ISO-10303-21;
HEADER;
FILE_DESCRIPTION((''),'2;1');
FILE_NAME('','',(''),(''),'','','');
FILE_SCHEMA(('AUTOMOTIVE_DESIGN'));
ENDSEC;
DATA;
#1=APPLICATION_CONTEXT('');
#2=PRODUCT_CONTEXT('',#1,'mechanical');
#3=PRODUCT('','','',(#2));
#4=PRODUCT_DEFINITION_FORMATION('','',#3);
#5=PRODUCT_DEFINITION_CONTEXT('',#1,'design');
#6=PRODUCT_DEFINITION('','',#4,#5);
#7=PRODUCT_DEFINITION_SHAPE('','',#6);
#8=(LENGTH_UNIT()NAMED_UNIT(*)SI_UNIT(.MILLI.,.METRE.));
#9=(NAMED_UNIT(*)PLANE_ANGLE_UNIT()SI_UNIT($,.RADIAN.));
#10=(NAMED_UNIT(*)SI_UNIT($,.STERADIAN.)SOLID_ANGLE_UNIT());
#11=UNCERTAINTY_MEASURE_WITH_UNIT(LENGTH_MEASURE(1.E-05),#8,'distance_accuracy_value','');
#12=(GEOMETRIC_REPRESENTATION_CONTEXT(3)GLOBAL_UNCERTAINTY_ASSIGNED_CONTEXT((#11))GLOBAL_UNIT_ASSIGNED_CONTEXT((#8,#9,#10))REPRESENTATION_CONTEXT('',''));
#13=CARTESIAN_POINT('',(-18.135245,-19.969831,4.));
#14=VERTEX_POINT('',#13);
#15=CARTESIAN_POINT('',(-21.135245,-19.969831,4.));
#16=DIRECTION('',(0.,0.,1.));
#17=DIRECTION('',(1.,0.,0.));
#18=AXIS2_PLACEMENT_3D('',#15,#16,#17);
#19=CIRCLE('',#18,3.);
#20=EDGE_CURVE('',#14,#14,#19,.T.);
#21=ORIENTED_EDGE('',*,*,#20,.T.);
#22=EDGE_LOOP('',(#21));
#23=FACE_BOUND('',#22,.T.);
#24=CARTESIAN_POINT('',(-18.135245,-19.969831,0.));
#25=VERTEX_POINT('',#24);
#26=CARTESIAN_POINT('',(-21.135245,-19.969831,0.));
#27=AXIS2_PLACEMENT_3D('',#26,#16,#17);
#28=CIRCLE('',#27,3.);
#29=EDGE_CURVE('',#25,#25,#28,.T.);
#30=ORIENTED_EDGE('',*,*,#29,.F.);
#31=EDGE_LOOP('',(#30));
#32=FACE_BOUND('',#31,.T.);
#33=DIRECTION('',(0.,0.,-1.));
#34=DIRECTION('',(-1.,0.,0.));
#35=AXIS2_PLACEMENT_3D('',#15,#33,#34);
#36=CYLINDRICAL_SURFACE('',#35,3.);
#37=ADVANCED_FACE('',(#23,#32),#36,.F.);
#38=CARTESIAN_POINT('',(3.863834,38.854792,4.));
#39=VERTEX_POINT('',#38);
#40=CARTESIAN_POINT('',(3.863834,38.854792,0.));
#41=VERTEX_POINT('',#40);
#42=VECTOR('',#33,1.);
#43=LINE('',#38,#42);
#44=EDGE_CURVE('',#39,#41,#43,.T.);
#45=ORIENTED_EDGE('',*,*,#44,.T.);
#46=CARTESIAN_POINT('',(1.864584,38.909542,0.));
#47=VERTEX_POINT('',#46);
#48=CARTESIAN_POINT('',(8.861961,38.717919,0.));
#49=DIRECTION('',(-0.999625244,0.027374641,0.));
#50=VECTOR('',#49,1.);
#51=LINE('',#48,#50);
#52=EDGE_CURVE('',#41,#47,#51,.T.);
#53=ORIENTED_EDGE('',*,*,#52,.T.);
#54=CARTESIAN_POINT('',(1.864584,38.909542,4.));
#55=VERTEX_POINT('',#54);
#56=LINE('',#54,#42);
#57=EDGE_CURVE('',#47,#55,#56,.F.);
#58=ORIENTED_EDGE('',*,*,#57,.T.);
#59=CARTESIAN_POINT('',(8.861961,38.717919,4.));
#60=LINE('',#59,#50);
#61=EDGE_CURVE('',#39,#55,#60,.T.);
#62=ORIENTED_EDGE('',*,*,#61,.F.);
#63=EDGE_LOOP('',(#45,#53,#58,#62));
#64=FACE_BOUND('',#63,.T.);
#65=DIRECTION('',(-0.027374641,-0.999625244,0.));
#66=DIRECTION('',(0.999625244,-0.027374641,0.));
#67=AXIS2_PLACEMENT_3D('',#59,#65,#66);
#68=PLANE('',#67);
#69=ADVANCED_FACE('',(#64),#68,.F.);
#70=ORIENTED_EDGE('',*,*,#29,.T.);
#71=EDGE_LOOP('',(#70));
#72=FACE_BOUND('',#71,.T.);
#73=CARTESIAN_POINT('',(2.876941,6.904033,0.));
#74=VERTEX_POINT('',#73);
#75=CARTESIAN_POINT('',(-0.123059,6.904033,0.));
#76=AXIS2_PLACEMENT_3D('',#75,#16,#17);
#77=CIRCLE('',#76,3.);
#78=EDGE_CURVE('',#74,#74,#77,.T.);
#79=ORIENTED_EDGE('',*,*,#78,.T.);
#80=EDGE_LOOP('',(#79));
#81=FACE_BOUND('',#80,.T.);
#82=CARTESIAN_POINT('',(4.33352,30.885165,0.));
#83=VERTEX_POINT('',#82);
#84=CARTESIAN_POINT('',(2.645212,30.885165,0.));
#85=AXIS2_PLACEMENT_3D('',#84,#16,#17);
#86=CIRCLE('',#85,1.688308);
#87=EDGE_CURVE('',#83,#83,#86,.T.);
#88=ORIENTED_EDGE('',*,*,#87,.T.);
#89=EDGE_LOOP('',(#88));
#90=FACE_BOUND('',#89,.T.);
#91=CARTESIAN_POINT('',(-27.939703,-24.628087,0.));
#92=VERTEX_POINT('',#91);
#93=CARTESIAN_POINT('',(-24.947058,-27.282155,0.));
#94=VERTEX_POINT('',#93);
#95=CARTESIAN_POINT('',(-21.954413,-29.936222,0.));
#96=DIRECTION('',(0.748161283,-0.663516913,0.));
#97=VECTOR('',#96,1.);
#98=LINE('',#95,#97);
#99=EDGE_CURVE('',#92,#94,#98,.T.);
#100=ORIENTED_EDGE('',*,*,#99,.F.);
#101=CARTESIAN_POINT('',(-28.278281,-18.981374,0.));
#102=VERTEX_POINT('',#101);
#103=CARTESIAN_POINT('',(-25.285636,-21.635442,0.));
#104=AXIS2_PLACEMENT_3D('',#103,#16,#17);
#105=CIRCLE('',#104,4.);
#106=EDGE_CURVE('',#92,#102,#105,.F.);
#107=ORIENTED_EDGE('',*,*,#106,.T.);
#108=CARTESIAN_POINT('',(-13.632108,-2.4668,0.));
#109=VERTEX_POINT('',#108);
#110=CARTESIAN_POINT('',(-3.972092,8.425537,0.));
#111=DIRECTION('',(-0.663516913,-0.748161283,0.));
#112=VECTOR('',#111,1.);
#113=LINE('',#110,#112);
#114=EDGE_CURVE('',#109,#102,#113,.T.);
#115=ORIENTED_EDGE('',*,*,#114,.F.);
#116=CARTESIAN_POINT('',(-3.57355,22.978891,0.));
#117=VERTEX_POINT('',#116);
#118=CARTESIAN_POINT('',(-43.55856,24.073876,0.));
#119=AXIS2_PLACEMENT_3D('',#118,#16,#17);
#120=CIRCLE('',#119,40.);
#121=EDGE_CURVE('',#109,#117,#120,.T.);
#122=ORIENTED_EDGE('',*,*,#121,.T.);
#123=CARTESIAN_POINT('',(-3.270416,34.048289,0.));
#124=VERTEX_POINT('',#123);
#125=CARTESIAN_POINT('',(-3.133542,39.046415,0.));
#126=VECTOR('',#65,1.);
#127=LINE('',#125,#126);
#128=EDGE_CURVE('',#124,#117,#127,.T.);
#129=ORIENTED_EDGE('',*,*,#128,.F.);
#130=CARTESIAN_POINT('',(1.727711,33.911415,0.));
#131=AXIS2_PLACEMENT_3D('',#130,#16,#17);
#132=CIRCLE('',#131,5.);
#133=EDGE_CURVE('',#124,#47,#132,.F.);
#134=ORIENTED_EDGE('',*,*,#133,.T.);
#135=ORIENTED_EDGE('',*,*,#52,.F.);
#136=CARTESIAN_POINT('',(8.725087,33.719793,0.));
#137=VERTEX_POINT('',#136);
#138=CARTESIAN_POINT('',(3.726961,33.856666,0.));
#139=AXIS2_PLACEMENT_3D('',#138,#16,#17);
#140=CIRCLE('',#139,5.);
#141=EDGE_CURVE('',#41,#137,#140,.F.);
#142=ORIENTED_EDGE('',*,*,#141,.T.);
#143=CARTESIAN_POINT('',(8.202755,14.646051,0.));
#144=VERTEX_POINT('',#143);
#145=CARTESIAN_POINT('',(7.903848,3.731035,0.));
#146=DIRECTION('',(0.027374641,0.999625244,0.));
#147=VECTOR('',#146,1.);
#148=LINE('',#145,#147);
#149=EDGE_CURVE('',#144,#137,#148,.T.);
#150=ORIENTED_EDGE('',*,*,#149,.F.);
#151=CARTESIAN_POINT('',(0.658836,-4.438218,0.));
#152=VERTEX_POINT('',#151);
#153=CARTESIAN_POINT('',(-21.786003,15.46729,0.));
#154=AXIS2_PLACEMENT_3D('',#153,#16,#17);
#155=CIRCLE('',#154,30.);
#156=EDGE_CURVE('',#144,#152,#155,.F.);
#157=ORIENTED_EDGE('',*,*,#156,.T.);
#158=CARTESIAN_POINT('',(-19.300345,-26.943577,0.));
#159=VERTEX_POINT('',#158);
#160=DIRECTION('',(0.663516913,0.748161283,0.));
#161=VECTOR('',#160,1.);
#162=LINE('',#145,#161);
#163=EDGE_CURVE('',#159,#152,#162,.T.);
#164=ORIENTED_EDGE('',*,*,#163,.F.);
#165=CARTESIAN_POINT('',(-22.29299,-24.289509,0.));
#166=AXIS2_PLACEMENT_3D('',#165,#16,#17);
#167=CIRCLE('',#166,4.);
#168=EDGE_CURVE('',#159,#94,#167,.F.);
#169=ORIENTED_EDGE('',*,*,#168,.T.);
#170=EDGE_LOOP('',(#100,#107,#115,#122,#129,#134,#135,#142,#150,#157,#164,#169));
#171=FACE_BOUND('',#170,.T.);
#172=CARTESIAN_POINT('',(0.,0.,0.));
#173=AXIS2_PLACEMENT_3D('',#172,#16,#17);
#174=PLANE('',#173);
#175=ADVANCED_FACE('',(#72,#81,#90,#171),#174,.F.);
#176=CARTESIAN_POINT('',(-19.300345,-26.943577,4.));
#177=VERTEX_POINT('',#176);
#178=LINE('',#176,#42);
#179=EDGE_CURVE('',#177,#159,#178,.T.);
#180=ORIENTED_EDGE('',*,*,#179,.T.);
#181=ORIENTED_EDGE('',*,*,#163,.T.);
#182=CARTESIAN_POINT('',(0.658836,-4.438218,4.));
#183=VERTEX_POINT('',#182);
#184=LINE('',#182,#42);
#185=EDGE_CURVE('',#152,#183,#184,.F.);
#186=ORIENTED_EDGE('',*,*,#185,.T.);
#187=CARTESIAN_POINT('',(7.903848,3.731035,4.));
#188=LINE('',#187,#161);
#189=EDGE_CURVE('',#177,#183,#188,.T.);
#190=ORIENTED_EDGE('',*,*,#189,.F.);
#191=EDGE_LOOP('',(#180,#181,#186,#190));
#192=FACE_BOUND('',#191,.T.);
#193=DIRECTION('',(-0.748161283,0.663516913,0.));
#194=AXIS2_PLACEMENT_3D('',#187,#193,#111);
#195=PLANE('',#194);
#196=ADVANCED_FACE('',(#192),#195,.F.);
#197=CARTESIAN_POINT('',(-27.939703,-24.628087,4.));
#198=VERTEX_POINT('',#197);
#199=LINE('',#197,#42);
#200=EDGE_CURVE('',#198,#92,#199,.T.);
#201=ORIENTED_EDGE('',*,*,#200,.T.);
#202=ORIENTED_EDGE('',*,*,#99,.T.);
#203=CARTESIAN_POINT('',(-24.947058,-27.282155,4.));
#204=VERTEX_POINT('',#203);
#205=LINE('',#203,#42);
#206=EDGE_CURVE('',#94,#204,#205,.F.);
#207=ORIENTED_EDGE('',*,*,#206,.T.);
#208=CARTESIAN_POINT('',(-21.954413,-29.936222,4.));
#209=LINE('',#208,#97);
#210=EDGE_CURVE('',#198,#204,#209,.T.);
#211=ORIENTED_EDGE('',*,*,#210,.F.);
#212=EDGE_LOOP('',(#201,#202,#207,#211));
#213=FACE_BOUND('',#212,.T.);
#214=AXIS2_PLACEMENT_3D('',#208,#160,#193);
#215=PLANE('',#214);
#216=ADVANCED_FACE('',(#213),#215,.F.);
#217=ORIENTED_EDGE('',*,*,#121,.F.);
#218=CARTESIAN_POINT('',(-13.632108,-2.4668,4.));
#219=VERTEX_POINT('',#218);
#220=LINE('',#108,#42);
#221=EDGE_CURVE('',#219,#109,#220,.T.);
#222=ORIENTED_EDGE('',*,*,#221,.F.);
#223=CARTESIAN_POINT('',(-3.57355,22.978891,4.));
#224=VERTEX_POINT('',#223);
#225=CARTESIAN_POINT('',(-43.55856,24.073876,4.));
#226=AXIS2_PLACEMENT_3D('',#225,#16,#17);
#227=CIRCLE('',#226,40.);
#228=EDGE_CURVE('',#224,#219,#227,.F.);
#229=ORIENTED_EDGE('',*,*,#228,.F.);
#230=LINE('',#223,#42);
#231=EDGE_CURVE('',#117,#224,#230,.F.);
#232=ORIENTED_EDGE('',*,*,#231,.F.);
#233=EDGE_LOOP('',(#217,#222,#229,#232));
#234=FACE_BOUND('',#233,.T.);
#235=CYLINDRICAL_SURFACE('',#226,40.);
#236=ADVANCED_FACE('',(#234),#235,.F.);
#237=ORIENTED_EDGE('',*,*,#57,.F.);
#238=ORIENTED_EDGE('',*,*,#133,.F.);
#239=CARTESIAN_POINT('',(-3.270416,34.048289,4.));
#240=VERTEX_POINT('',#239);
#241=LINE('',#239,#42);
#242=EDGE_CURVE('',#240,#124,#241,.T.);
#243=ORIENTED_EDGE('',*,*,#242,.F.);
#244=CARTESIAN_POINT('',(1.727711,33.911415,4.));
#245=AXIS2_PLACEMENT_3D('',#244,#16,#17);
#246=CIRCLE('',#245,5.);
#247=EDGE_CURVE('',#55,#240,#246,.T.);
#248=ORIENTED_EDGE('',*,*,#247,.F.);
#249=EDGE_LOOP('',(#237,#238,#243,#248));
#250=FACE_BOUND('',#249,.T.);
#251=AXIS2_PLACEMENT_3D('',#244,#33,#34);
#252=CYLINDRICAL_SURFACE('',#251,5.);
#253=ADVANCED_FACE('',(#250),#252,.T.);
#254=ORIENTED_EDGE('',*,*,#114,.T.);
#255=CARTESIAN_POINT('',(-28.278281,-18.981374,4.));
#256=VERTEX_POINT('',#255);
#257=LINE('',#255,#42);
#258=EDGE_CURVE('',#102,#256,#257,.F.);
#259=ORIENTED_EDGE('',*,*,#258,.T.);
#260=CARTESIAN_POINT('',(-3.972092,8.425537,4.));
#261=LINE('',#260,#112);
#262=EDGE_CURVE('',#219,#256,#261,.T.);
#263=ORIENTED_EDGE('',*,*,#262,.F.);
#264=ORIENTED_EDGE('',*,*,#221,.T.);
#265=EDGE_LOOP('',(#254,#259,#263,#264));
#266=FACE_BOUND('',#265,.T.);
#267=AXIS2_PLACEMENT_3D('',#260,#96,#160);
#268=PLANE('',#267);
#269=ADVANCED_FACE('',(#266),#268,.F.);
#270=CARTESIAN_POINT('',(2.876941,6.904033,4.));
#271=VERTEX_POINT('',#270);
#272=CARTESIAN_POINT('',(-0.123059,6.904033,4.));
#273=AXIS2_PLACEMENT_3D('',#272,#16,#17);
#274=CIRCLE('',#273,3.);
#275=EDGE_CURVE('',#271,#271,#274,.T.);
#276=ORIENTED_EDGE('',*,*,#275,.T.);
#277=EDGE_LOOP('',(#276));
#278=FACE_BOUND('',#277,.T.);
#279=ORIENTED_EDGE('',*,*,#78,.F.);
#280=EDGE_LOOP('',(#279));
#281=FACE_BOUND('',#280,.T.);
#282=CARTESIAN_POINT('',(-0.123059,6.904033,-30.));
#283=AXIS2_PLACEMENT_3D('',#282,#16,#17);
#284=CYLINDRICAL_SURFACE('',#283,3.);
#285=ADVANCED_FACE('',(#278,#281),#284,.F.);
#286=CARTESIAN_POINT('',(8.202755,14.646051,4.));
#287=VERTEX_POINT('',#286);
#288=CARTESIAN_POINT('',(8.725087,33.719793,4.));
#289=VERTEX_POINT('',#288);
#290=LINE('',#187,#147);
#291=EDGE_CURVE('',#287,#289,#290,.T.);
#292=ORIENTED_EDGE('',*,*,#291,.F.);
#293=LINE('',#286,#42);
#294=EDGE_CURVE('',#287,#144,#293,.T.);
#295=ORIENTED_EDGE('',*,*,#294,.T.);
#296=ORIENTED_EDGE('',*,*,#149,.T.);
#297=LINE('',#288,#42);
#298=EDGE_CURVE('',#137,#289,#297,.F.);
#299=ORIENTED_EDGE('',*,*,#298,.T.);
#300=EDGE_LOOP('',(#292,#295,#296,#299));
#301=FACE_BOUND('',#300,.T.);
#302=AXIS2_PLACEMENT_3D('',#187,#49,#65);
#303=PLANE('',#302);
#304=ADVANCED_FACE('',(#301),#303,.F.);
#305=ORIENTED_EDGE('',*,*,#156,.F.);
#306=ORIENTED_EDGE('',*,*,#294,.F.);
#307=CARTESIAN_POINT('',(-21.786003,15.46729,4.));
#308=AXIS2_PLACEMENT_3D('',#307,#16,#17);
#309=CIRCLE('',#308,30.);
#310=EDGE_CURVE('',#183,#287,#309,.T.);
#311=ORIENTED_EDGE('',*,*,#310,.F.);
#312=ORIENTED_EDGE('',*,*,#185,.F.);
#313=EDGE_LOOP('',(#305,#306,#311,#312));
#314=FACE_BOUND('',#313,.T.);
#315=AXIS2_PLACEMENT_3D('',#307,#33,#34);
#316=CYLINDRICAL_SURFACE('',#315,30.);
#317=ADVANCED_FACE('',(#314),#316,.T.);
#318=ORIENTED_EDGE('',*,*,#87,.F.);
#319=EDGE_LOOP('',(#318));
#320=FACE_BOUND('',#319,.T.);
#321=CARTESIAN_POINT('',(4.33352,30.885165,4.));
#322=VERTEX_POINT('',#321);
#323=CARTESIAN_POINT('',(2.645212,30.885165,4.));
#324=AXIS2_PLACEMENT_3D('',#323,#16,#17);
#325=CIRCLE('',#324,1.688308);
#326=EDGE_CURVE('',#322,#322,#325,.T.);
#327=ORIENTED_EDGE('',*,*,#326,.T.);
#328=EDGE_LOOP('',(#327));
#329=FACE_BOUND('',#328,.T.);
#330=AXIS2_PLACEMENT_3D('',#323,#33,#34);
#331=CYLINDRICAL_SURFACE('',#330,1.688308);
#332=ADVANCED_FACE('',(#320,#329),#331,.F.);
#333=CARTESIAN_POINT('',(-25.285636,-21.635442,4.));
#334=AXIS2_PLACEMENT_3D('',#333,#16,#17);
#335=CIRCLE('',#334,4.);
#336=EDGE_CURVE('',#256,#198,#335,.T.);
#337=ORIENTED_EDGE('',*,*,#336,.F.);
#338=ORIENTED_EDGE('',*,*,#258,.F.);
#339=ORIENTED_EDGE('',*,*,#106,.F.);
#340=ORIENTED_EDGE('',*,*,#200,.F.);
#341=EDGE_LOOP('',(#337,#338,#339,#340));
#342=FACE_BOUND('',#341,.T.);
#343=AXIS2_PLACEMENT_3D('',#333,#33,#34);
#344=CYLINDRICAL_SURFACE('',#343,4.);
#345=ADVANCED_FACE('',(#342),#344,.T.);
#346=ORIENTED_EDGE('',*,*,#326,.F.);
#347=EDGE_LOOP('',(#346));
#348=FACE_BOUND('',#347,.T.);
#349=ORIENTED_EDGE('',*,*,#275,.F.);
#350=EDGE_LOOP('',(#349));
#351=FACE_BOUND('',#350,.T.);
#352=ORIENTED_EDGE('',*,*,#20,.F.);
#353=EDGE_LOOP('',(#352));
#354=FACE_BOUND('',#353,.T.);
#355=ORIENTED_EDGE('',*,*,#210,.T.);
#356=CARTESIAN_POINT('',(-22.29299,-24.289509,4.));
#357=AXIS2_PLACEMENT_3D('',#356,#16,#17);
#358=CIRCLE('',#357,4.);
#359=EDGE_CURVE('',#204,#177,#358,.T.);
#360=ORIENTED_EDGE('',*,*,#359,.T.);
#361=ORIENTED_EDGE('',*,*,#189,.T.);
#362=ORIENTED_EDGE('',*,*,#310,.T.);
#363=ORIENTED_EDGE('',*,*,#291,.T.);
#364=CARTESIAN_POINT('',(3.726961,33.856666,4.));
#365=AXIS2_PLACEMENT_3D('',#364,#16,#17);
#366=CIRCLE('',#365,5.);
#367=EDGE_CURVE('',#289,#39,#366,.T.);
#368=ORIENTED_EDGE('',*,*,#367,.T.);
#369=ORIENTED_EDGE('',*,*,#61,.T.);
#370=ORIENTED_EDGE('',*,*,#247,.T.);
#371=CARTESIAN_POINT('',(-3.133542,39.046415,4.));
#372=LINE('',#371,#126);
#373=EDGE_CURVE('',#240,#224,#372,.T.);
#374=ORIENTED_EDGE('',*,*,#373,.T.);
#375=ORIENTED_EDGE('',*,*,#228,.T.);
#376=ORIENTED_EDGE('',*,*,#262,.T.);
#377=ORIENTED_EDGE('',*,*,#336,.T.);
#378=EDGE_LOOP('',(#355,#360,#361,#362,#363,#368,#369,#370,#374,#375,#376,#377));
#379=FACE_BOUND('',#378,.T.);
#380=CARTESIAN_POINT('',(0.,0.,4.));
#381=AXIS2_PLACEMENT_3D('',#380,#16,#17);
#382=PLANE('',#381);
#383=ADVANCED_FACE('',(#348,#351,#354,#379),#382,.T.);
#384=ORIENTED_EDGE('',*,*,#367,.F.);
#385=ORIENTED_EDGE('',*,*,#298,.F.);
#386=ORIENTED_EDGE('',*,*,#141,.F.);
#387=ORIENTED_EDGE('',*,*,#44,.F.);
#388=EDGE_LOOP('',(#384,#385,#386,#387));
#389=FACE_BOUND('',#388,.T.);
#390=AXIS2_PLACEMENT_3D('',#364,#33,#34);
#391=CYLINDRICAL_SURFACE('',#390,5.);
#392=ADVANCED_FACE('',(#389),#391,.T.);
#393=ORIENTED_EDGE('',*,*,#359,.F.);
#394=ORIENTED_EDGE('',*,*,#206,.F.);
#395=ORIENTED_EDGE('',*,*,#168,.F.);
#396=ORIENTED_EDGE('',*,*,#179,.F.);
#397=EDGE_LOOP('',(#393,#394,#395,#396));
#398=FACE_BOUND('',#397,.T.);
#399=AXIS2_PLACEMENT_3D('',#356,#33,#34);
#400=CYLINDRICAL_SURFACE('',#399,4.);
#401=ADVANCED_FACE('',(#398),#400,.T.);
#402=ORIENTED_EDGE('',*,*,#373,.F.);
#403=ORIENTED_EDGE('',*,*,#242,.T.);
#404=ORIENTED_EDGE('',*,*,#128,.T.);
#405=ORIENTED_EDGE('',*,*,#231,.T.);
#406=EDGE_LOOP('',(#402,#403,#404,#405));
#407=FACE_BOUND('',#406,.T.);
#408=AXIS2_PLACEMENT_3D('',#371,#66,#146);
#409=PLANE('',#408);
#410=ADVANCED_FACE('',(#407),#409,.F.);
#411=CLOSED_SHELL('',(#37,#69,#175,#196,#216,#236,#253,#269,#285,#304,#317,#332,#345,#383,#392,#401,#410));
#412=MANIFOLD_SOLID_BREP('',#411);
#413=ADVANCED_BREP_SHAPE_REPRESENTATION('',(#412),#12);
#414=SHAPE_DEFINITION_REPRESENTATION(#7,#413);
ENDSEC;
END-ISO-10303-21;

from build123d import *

# Parameters (mm, degrees)
SKETCH1_R           = 3
SKETCH1_R_2         = 1.688307965
BOSS_EXTRUDE1_DEPTH = 4
FILLET1_R           = 4
FILLET4_R           = 30
FILLET5_R           = 40
FILLET6_R           = 5
SKETCH6_R           = 3
CUT_EXTRUDE2_DEPTH  = 34


with BuildPart() as part:
    # Sketch1 → Boss-Extrude1 (new body)
    with BuildSketch(Plane.XY):
        Polygon((7.903848118, 3.731035494), (-21.954412971, -29.93622226), (-30.932348372, -21.974019303), (-3.972092158, 8.4255372), (-3.133542372, 39.046414738), (8.861960559, 38.717919044), align=None)
        with Locations((-21.135245367, -19.969830514)):
            Circle(SKETCH1_R, mode=Mode.SUBTRACT)
        with Locations((2.645211964, 30.885164937)):
            Circle(SKETCH1_R_2, mode=Mode.SUBTRACT)
    extrude(amount=BOSS_EXTRUDE1_DEPTH)

    # Fillet1
    fillet1_edges = [part.edges().sort_by_distance(p)[0] for p in [
        (-30.932348372, -21.974019303, 2),
        (-21.954412971, -29.93622226, 2),
    ]]
    fillet(fillet1_edges, radius=FILLET1_R)

    # Fillet4
    fillet4_edges = [part.edges().sort_by_distance(p)[0] for p in [
        (7.903848118, 3.731035494, 2),
    ]]
    fillet(fillet4_edges, radius=FILLET4_R)

    # Fillet5
    fillet5_edges = [part.edges().sort_by_distance(p)[0] for p in [
        (-3.972092158, 8.4255372, 2),
    ]]
    fillet(fillet5_edges, radius=FILLET5_R)

    # Fillet6
    fillet6_edges = [part.edges().sort_by_distance(p)[0] for p in [
        (-3.133542372, 39.046414738, 2),
        (8.861960559, 38.717919044, 2),
    ]]
    fillet(fillet6_edges, radius=FILLET6_R)

    # Sketch6 → Cut-Extrude2 (cut)
    with BuildSketch(Plane.XY.offset(4)):
        with Locations((-0.123058619, 6.904032873)):
            Circle(SKETCH6_R)
    extrude(amount=-CUT_EXTRUDE2_DEPTH, mode=Mode.SUBTRACT)


solid = part.part
